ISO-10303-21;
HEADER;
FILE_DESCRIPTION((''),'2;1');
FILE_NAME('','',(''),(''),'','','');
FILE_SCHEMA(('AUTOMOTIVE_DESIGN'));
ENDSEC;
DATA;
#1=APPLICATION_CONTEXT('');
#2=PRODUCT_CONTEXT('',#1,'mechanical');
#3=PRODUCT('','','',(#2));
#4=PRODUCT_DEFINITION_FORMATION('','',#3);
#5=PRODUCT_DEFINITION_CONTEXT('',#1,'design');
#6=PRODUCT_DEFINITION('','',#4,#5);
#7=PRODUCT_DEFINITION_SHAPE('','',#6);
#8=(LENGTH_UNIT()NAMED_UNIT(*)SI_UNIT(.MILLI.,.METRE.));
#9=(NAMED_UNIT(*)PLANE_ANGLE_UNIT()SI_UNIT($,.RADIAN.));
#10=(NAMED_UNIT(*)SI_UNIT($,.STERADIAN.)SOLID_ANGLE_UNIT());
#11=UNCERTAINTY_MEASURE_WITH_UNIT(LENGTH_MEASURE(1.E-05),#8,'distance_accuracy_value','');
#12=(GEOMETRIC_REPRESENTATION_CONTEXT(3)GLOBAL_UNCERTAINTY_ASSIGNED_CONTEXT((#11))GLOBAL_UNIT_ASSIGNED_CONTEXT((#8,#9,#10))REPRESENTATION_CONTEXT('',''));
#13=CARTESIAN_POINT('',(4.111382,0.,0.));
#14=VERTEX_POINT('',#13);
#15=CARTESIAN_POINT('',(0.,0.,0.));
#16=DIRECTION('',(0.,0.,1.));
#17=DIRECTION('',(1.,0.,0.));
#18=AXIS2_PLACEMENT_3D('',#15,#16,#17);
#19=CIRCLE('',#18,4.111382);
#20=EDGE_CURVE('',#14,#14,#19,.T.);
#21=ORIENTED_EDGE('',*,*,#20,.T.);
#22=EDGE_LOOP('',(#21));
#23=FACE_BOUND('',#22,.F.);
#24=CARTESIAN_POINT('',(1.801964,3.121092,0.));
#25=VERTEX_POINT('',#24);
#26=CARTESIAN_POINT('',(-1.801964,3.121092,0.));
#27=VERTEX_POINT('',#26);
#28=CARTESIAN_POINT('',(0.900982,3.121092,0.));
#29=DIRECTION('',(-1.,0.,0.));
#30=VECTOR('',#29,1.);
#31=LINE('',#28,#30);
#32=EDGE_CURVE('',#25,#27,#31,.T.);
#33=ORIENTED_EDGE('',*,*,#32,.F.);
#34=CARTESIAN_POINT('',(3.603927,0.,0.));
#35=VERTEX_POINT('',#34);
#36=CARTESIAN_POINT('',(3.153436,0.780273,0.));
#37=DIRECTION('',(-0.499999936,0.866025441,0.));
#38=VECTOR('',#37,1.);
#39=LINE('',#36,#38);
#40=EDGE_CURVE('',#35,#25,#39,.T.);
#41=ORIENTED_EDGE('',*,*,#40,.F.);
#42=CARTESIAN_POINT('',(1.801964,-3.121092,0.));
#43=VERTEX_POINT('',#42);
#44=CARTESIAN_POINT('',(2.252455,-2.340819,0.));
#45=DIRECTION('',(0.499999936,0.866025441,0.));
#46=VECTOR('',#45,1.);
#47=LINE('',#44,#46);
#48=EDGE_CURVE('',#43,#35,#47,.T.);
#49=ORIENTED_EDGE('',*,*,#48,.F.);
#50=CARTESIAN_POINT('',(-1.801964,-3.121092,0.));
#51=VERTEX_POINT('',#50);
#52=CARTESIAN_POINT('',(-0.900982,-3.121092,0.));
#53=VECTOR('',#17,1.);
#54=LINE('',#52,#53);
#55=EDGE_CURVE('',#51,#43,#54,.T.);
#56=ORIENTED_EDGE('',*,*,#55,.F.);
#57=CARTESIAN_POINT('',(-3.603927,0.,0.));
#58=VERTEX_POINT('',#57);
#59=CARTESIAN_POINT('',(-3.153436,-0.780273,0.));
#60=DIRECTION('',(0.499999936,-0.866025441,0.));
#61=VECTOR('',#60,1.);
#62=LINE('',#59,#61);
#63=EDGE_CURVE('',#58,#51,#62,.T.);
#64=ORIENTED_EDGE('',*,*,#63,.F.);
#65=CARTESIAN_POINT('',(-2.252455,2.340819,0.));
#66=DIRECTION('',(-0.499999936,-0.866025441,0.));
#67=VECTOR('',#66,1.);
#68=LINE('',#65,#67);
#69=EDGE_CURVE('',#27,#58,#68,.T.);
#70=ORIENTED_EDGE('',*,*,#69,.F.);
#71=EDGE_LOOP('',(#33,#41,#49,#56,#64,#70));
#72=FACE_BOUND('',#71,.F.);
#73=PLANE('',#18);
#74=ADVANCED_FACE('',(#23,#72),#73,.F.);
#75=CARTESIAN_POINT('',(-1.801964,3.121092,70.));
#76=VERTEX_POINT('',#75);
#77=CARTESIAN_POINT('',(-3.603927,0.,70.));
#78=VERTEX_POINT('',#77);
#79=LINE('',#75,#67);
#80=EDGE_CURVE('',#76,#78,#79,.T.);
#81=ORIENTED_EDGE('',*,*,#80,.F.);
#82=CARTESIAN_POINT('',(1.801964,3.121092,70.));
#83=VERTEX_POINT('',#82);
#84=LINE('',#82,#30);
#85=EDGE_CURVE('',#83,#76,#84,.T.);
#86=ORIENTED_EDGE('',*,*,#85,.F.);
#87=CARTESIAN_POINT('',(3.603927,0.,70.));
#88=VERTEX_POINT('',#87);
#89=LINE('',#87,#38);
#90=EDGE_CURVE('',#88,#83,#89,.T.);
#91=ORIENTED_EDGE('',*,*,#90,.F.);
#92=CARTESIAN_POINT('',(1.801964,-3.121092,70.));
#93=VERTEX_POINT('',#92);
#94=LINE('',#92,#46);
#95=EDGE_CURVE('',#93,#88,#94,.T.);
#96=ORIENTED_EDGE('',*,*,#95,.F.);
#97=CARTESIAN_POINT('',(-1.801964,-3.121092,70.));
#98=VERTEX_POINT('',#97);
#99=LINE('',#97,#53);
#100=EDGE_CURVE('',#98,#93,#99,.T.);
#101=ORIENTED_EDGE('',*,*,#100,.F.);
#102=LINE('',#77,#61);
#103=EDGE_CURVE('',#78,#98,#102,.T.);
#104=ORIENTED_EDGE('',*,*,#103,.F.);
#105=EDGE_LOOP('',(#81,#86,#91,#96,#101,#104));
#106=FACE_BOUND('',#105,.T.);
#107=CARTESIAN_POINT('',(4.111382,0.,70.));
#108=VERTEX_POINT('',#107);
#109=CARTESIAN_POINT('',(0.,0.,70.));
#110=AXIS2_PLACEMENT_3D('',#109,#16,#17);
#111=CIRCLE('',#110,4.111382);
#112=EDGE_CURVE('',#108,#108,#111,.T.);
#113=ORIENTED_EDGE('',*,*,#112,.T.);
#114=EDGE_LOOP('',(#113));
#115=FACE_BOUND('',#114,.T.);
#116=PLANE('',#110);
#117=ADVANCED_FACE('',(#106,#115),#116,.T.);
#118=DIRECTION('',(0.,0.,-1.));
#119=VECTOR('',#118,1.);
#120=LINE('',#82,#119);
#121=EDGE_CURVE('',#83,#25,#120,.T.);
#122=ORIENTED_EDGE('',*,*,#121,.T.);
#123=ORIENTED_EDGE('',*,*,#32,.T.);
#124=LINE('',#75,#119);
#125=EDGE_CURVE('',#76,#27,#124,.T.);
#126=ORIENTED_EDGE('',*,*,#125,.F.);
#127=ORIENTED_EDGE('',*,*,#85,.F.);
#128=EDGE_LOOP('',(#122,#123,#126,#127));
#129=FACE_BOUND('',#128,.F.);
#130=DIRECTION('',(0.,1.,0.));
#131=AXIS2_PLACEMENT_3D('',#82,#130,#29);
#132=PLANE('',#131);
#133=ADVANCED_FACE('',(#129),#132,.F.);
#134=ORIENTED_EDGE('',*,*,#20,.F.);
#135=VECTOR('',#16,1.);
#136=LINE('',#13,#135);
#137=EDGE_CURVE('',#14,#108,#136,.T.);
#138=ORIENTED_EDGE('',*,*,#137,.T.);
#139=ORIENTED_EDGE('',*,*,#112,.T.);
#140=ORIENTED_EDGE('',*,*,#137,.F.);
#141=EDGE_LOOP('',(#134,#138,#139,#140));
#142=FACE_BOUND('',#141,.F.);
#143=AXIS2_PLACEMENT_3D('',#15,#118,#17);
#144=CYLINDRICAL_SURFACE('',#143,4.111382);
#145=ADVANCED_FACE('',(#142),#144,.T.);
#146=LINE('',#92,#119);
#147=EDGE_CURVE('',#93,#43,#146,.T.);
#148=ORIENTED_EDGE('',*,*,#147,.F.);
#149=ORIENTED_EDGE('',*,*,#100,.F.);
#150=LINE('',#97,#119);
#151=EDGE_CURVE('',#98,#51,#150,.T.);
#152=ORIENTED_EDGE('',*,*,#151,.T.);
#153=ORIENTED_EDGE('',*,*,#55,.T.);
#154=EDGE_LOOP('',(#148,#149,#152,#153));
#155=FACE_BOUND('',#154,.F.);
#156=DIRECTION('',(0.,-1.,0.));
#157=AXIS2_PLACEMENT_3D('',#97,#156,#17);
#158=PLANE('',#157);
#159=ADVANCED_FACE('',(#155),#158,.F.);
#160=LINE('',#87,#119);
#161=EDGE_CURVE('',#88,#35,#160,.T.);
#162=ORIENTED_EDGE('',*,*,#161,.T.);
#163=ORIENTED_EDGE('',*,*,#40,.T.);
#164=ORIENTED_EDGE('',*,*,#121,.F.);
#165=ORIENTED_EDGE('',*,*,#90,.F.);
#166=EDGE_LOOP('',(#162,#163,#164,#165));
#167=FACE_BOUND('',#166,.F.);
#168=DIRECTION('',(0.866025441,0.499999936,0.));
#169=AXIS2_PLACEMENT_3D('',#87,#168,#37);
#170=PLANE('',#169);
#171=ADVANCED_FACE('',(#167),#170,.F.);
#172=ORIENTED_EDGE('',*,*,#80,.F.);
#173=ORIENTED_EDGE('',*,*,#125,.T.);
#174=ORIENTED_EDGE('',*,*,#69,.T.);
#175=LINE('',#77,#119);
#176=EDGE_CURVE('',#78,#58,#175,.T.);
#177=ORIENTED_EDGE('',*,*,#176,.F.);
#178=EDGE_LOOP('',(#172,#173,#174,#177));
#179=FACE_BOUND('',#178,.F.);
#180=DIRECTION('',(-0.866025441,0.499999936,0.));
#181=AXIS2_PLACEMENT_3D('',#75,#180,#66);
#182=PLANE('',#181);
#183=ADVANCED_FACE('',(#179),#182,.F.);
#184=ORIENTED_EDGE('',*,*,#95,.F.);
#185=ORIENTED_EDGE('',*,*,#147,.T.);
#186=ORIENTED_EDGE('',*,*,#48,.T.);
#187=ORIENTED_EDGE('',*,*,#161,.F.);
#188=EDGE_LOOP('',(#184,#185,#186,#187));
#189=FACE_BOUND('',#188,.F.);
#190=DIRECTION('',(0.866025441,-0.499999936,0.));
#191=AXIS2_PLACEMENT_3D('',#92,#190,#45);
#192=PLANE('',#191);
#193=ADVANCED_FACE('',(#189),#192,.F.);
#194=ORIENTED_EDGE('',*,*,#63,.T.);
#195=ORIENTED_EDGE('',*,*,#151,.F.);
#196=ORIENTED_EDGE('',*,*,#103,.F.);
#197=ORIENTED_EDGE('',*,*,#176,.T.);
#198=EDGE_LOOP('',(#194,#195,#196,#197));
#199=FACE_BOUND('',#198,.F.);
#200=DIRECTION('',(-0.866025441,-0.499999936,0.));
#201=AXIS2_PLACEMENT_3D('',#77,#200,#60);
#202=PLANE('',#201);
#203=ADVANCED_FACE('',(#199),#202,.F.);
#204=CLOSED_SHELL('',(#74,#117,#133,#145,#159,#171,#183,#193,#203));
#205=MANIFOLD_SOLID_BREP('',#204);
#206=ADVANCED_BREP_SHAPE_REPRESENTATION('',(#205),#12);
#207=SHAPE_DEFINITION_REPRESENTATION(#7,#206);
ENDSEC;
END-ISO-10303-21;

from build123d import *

# Parameters (mm, degrees)
F0_R     = 4.111382
F1_DEPTH = 70
F3_DEPTH = 70.001


with BuildPart() as f1:
    # F0 (on Top) → F1 (new body)
    with BuildSketch(Plane.XY):
        Circle(F0_R)
    extrude(amount=F1_DEPTH)

    # F2 (on face) → F3 (cut, through all)
    with BuildSketch(Plane.XY.offset(70)):
        Polygon((-1.801964, -3.121092), (1.801964, -3.121092), (3.603927, 0), (1.801964, 3.121092), (-1.801964, 3.121092), (-3.603927, 0), align=None)
    extrude(amount=-F3_DEPTH, mode=Mode.SUBTRACT)


solid = f1.part
